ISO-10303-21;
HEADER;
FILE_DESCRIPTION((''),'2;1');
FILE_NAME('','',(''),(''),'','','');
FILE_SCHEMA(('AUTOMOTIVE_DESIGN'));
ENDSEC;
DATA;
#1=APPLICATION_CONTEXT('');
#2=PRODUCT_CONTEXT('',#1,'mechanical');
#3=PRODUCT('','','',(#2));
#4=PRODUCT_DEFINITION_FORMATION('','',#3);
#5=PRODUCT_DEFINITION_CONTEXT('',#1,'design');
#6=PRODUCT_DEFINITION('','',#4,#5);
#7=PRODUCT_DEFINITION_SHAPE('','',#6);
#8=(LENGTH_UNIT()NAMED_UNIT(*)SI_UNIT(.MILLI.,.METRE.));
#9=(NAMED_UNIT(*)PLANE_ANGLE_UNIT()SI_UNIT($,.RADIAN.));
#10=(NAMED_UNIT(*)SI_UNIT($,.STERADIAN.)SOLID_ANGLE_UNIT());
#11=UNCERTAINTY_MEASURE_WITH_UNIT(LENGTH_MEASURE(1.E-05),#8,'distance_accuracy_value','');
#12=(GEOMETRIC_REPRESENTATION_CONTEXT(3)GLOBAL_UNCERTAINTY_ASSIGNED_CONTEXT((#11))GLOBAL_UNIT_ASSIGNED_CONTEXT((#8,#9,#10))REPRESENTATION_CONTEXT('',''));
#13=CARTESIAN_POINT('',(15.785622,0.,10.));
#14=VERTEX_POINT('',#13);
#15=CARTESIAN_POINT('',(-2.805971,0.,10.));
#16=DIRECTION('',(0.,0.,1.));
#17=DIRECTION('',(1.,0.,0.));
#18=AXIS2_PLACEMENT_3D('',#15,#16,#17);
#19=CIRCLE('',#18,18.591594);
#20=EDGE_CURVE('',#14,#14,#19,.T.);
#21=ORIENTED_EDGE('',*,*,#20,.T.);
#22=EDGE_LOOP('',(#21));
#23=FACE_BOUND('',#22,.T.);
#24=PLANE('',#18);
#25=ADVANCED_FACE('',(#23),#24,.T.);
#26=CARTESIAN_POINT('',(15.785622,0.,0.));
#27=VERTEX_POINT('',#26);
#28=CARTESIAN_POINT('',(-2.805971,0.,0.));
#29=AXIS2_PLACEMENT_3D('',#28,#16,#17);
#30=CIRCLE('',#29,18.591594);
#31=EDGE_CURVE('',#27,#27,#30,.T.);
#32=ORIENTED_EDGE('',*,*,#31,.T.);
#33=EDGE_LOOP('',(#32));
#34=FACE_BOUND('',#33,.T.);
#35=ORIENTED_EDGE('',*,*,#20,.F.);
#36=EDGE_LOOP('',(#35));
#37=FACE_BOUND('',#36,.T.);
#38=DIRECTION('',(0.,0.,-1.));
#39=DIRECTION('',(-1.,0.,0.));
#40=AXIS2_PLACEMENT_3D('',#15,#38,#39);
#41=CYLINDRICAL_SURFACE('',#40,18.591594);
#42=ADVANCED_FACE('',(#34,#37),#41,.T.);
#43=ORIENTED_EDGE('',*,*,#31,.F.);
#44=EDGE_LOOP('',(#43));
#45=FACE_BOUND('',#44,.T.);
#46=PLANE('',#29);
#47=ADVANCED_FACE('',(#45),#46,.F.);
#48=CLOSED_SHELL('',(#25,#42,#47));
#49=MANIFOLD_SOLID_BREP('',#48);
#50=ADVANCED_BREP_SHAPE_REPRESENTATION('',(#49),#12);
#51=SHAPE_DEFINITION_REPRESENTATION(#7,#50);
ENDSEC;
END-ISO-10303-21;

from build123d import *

# Parameters (mm, degrees)
IZIM2_R                     = 18.591593623
Y_KSEKLIK_EKSTR_ZYON1_DEPTH = 10


with BuildPart() as part:
    # Çizim2 → Yükseklik-Ekstrüzyon1 (new body)
    with BuildSketch(Plane.XY):
        with Locations((-2.805971375, 0)):
            Circle(IZIM2_R)
    extrude(amount=Y_KSEKLIK_EKSTR_ZYON1_DEPTH)


solid = part.part
